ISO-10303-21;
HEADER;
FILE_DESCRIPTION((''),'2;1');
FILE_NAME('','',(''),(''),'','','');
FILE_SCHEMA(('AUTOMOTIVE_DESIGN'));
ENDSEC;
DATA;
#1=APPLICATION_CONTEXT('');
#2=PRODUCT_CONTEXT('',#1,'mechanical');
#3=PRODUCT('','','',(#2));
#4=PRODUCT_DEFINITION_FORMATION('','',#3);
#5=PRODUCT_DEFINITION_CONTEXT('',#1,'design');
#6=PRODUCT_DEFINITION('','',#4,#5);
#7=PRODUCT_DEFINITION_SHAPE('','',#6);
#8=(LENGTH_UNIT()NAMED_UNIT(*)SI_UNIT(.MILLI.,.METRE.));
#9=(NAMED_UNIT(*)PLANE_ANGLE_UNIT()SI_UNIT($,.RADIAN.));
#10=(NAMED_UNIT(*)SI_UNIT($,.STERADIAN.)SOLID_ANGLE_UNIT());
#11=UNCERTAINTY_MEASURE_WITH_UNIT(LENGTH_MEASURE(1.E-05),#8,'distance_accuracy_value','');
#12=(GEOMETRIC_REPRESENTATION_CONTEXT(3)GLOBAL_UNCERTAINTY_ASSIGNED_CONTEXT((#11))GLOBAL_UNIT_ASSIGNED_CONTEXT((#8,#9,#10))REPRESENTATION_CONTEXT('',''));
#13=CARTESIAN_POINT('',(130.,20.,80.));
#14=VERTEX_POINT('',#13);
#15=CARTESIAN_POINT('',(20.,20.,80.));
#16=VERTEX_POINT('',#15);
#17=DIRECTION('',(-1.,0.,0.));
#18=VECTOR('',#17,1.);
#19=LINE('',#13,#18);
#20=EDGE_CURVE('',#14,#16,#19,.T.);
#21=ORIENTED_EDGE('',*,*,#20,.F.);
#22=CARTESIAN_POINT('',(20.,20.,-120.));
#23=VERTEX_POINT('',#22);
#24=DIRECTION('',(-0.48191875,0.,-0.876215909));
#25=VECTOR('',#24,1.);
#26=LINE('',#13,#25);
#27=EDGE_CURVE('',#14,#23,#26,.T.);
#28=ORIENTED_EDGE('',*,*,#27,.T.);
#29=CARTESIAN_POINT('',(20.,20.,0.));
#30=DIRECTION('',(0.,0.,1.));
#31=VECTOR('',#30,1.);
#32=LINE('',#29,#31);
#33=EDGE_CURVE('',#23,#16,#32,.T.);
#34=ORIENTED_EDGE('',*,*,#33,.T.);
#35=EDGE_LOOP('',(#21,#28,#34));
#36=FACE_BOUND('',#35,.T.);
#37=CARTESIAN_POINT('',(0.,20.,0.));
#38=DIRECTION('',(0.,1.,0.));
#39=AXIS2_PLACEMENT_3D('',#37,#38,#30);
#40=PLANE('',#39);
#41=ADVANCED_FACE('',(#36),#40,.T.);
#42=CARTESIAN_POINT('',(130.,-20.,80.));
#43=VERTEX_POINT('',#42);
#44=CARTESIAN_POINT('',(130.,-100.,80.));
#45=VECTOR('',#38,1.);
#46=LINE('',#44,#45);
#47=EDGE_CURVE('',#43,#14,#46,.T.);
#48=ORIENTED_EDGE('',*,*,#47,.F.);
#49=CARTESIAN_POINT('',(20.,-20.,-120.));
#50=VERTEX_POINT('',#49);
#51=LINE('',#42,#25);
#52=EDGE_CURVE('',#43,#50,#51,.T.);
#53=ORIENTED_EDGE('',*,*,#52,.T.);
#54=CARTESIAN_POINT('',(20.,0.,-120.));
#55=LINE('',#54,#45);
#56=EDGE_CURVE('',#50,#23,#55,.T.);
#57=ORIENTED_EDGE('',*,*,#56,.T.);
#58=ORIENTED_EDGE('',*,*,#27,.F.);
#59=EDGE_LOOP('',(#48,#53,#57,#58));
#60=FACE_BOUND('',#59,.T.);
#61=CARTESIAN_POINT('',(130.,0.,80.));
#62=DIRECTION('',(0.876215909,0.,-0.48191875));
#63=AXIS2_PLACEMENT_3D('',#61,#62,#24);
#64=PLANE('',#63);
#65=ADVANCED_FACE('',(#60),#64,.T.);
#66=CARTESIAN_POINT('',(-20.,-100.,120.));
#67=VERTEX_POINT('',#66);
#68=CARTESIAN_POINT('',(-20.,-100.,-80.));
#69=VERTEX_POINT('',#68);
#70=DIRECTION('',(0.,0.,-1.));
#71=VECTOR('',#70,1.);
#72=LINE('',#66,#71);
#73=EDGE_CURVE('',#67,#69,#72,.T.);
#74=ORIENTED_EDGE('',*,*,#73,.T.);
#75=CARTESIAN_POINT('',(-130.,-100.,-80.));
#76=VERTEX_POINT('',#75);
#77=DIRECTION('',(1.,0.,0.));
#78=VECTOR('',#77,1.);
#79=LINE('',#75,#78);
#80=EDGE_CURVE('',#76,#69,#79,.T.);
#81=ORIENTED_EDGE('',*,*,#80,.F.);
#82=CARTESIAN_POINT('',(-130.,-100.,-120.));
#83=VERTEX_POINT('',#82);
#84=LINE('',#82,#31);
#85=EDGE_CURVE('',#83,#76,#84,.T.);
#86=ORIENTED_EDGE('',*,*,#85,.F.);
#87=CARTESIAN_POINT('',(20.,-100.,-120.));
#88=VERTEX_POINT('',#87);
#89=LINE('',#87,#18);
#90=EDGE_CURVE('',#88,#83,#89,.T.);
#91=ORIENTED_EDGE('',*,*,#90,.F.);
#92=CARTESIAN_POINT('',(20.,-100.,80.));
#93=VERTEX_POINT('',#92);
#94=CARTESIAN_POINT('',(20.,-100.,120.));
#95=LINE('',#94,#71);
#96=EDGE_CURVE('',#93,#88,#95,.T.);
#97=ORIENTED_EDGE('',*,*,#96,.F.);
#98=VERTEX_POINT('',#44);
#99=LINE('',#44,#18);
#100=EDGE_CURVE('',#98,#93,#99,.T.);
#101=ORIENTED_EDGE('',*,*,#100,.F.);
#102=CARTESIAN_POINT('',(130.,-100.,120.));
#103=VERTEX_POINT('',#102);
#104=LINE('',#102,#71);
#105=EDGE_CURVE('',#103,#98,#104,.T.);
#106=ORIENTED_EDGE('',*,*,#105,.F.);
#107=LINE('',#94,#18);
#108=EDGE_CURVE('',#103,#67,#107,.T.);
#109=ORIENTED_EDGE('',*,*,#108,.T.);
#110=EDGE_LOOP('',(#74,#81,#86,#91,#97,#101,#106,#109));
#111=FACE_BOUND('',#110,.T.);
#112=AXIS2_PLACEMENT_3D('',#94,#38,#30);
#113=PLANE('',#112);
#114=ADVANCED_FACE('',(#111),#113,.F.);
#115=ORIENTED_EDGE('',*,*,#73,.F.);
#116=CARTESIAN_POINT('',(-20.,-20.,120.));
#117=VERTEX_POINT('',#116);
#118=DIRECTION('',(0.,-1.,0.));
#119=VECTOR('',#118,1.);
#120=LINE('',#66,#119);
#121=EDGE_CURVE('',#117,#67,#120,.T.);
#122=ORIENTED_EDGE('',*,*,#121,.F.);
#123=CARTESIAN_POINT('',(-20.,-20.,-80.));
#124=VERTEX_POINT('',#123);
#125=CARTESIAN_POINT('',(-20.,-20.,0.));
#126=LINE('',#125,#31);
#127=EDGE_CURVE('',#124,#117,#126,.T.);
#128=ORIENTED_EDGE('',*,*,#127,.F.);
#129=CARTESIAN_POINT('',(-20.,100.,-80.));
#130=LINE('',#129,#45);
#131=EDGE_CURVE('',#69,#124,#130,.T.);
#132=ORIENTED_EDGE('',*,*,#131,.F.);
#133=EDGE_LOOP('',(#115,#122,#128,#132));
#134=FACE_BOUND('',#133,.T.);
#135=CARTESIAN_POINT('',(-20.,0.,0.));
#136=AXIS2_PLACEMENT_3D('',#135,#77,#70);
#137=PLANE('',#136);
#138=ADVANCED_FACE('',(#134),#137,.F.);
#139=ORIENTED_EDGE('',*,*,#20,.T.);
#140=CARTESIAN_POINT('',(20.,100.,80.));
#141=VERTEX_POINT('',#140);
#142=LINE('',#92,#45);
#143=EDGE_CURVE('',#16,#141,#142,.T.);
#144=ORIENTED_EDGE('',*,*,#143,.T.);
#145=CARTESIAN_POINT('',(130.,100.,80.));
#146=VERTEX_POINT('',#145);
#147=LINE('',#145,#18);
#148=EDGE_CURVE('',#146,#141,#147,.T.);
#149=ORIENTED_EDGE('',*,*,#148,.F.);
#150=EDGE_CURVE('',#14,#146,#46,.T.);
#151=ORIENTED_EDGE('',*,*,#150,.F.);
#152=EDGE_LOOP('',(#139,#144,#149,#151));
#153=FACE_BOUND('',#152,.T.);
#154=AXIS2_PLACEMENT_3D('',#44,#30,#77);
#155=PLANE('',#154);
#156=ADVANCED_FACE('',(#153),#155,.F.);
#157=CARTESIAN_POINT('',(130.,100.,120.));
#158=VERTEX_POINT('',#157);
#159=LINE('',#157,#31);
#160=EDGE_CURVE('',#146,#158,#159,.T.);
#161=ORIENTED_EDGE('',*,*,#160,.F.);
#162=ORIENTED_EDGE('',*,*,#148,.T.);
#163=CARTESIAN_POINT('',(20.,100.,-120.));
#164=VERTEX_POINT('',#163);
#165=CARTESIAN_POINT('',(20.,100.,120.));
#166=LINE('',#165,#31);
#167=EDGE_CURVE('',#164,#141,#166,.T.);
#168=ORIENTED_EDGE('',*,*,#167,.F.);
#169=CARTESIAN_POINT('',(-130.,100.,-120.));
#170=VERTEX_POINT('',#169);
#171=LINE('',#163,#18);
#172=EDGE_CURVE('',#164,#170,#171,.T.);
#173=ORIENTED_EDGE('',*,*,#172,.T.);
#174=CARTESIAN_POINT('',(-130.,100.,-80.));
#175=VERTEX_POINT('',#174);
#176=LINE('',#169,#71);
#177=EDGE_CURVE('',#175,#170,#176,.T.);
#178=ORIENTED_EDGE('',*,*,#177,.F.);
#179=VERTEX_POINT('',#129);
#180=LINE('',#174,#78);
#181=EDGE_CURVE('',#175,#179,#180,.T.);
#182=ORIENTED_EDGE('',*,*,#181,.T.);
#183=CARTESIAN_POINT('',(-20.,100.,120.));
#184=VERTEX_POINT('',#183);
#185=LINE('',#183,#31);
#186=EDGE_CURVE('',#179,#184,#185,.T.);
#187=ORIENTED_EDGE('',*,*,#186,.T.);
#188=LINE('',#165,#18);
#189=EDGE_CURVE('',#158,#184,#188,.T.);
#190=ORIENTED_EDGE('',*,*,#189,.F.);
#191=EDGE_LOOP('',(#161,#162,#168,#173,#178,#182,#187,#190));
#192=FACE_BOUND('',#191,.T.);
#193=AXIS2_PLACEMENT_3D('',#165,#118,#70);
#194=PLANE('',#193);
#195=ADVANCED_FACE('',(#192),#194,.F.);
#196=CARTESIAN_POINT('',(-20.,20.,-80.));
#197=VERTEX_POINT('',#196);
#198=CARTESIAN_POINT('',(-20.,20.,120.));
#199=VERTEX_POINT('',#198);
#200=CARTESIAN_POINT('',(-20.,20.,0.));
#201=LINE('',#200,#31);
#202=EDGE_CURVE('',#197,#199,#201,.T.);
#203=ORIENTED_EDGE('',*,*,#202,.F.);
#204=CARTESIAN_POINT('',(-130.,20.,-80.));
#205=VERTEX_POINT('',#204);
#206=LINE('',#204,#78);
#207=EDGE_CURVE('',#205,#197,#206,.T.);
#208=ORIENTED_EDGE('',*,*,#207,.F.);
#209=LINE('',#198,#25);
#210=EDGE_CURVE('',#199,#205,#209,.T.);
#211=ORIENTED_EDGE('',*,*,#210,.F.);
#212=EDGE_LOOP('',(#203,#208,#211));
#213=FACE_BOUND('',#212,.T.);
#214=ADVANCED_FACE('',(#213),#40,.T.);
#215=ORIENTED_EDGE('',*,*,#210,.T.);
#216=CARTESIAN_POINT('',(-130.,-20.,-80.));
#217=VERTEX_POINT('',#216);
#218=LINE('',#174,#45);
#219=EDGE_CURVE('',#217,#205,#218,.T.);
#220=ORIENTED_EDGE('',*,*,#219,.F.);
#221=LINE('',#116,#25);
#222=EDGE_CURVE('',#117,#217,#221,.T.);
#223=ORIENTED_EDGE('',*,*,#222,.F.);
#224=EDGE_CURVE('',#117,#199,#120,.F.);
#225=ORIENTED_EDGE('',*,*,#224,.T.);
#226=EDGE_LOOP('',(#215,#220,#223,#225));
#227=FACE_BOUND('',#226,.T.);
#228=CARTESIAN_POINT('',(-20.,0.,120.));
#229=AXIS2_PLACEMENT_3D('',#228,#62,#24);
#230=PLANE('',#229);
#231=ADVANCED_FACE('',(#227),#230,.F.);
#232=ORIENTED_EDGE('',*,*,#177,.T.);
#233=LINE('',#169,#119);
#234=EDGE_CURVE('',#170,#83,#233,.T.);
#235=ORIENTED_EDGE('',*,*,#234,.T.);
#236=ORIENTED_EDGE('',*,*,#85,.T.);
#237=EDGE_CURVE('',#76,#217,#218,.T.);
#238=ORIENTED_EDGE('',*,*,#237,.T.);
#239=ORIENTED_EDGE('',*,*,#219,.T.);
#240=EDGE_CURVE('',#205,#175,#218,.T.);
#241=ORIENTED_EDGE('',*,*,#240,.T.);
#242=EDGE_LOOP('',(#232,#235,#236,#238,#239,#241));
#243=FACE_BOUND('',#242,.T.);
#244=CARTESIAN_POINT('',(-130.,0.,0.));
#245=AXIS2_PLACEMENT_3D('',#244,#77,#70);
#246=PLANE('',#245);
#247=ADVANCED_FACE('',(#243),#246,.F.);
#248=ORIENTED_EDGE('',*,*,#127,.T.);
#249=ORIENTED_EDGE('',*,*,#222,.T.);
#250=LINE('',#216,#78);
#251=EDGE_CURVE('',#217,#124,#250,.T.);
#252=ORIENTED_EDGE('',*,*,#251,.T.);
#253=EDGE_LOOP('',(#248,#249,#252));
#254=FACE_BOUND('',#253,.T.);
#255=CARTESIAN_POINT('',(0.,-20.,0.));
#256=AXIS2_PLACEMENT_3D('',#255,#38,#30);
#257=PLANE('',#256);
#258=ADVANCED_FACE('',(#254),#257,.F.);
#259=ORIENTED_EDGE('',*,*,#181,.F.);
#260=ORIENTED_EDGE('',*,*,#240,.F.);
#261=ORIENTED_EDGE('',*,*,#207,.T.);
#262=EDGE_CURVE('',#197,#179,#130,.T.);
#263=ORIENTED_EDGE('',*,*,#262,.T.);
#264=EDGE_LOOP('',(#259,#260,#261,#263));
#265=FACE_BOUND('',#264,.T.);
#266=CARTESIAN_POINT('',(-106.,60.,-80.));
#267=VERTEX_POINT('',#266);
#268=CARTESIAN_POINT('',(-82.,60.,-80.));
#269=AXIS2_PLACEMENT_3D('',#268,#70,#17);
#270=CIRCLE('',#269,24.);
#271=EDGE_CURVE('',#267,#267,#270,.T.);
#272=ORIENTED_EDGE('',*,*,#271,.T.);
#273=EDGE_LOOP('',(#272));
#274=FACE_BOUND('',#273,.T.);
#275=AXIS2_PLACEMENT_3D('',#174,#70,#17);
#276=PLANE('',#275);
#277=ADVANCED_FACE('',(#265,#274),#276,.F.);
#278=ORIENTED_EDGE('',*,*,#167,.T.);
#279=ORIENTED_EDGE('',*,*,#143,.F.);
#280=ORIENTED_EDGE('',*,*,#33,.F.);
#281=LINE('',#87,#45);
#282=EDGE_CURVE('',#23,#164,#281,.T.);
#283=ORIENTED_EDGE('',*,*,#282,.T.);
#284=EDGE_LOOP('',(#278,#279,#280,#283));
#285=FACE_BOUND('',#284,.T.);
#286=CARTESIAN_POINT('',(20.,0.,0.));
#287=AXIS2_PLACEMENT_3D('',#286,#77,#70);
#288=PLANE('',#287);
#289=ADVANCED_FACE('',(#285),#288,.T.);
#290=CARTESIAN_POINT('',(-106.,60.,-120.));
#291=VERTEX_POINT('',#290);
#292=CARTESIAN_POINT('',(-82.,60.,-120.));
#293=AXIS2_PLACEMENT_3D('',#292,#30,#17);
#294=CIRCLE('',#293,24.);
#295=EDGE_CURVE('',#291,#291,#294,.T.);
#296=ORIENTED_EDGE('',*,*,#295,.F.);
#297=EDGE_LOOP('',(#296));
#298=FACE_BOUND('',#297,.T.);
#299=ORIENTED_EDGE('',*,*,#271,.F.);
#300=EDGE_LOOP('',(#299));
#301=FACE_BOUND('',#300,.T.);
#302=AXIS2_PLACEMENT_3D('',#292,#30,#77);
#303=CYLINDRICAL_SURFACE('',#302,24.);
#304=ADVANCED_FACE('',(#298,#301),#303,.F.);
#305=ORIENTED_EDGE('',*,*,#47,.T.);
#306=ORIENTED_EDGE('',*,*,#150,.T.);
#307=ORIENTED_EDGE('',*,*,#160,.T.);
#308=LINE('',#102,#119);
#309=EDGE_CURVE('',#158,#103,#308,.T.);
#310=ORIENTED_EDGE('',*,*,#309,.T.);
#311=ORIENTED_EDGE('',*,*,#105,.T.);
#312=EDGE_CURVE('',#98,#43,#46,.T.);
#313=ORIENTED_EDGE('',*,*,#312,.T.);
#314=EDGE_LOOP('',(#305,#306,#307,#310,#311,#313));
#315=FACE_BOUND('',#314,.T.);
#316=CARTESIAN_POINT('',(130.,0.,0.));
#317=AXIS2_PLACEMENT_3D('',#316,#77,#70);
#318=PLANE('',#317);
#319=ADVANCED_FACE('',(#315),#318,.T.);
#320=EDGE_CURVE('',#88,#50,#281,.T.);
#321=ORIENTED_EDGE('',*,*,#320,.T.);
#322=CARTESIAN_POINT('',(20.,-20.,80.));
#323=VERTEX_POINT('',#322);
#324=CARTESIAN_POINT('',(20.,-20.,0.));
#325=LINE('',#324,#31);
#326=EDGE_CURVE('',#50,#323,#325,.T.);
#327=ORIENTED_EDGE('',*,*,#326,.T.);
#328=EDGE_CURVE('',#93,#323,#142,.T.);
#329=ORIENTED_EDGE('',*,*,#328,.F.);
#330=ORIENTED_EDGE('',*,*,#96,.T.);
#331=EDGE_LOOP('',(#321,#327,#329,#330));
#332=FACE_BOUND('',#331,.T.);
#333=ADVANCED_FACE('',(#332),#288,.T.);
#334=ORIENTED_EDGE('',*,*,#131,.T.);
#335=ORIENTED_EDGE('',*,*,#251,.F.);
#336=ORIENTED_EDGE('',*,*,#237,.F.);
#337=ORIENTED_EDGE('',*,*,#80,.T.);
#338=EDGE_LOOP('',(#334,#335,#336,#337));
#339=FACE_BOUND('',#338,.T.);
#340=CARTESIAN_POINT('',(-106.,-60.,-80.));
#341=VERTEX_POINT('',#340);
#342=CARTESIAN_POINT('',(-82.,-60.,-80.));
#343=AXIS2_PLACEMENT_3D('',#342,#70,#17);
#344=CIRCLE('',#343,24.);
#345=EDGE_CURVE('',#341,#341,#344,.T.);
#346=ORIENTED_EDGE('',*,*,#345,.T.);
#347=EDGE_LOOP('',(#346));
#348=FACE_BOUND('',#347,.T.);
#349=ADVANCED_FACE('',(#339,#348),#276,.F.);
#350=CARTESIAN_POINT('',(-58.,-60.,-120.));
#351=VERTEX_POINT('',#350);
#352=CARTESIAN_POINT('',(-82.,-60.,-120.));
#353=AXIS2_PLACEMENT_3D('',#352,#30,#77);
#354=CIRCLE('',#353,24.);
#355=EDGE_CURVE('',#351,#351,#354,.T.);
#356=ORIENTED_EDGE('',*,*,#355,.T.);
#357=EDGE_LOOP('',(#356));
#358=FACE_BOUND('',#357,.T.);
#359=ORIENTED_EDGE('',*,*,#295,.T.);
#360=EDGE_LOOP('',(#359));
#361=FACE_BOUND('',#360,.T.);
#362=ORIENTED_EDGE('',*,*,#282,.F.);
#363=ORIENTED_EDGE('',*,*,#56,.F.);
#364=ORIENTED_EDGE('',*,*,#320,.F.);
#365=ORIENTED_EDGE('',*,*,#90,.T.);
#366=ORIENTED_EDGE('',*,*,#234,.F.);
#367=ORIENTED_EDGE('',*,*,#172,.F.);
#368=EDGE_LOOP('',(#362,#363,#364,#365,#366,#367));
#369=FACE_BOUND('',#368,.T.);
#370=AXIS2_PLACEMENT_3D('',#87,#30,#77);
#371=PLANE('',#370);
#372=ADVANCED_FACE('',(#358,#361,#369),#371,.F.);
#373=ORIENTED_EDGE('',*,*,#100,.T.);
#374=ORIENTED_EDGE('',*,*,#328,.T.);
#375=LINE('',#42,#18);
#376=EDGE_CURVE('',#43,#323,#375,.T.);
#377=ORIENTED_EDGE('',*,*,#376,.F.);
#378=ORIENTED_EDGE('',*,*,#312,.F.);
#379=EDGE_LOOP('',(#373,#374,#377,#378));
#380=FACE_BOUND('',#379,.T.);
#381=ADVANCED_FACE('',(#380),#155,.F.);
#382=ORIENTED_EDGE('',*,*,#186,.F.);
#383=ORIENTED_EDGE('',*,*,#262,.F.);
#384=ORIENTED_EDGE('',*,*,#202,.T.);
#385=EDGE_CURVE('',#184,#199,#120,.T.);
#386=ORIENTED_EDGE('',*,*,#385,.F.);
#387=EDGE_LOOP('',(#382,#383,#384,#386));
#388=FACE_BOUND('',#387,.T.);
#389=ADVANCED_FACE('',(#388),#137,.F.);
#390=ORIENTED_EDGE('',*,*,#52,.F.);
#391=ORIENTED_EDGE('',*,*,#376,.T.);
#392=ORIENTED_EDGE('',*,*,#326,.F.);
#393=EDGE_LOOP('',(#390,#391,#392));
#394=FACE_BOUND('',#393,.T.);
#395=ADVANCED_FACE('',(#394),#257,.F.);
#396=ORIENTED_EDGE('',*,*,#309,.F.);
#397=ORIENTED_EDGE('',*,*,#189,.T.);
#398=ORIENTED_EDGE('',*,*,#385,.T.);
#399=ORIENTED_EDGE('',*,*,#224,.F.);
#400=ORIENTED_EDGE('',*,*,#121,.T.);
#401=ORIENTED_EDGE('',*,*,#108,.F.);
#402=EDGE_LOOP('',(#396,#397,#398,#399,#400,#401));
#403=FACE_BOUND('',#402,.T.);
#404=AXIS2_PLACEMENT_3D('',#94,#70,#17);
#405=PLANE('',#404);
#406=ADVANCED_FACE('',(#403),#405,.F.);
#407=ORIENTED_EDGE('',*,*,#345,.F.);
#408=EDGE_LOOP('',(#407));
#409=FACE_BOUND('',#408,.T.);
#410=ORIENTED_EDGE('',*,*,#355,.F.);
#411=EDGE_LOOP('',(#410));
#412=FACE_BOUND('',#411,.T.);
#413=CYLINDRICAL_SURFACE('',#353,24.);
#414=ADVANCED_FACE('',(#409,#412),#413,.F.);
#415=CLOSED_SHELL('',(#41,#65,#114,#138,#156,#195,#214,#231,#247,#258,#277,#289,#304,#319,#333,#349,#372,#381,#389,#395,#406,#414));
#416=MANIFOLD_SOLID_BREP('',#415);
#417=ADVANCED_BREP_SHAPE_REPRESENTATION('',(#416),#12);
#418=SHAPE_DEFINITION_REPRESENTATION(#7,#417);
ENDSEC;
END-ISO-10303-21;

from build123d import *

# Parameters (mm, degrees)
SKETCH1_W               = 200
SKETCH1_H               = 240
BOSS_EXTRUDE1_DEPTH     = 20
SKETCH2_W               = 200
SKETCH2_H               = 40
BOSS_EXTRUDE2_DEPTH     = 110
SKETCH3_W               = 200
SKETCH3_H               = 40
BOSS_EXTRUDE3_DEPTH     = 110
RIB1_REACH              = 205.224
SKETCH4_WALL_W          = 636.702272868
SKETCH4_WALL_H          = 40
RIB2_REACH              = 205.224
SKETCH6_WALL_W          = 636.702272868
SKETCH6_WALL_H          = 40
CUT_EXTRUDE1_DEPTH      = 259.650343128
CUT_EXTRUDE1_DEPTH_BACK = 259.650343128
SKETCH7_R               = 24


with BuildPart() as part:
    # Sketch1 → Boss-Extrude1 (new, symmetric)
    with BuildSketch(Plane.YZ):
        Rectangle(SKETCH1_W, SKETCH1_H)
    extrude(amount=BOSS_EXTRUDE1_DEPTH, both=True)

    # Sketch2 → Boss-Extrude2 (add)
    with BuildSketch(Plane.YZ.offset(20)):
        with Locations((0, 100)):
            Rectangle(SKETCH2_W, SKETCH2_H)
    extrude(amount=BOSS_EXTRUDE2_DEPTH)

    # Sketch3 → Boss-Extrude3 (add)
    with BuildSketch(Plane(origin=(-20, 0, 0), x_dir=(0, -1, 0), z_dir=(-1, 0, 0))):
        with Locations((0, -100)):
            Rectangle(SKETCH3_W, SKETCH3_H)
    extrude(amount=BOSS_EXTRUDE3_DEPTH)

    # Sketch4 wall → Rib1 (add, up to next)
    with BuildSketch(Plane(origin=(75, 0, -20), x_dir=(-0.481918749772, 0, -0.876215908677), z_dir=(-0.876215908677, 0, 0.481918749772)), mode=Mode.PRIVATE) as rib1_sk1:
        Rectangle(SKETCH4_WALL_W, SKETCH4_WALL_H)
    rib1_tool1 = extrude(rib1_sk1.sketch, amount=RIB1_REACH, mode=Mode.PRIVATE) - part.part
    add(rib1_tool1.solids().sort_by_distance((75, 0, -20))[0])

    # Sketch6 wall → Rib2 (add, up to next)
    with BuildSketch(Plane(origin=(-75, 0, 20), x_dir=(-0.481918749772, 0, -0.876215908677), z_dir=(-0.876215908677, 0, 0.481918749772)), mode=Mode.PRIVATE) as rib2_sk1:
        Rectangle(SKETCH6_WALL_W, SKETCH6_WALL_H)
    rib2_tool1 = extrude(rib2_sk1.sketch, amount=-RIB2_REACH, mode=Mode.PRIVATE) - part.part
    add(rib2_tool1.solids().sort_by_distance((-75, 0, 20))[0])

    # Sketch7 → Cut-Extrude1 (cut, two sides: drawn at the far end of the back side and taken through both)
    with BuildSketch(Plane.XY.offset(-80).offset(-CUT_EXTRUDE1_DEPTH_BACK)):
        with Locations((-82, -60)):
            Circle(SKETCH7_R)
        with Locations(Location((-82, 60, 0), (0, 0, 180))):
            Circle(SKETCH7_R)
    extrude(amount=CUT_EXTRUDE1_DEPTH + CUT_EXTRUDE1_DEPTH_BACK, mode=Mode.SUBTRACT)


solid = part.part
